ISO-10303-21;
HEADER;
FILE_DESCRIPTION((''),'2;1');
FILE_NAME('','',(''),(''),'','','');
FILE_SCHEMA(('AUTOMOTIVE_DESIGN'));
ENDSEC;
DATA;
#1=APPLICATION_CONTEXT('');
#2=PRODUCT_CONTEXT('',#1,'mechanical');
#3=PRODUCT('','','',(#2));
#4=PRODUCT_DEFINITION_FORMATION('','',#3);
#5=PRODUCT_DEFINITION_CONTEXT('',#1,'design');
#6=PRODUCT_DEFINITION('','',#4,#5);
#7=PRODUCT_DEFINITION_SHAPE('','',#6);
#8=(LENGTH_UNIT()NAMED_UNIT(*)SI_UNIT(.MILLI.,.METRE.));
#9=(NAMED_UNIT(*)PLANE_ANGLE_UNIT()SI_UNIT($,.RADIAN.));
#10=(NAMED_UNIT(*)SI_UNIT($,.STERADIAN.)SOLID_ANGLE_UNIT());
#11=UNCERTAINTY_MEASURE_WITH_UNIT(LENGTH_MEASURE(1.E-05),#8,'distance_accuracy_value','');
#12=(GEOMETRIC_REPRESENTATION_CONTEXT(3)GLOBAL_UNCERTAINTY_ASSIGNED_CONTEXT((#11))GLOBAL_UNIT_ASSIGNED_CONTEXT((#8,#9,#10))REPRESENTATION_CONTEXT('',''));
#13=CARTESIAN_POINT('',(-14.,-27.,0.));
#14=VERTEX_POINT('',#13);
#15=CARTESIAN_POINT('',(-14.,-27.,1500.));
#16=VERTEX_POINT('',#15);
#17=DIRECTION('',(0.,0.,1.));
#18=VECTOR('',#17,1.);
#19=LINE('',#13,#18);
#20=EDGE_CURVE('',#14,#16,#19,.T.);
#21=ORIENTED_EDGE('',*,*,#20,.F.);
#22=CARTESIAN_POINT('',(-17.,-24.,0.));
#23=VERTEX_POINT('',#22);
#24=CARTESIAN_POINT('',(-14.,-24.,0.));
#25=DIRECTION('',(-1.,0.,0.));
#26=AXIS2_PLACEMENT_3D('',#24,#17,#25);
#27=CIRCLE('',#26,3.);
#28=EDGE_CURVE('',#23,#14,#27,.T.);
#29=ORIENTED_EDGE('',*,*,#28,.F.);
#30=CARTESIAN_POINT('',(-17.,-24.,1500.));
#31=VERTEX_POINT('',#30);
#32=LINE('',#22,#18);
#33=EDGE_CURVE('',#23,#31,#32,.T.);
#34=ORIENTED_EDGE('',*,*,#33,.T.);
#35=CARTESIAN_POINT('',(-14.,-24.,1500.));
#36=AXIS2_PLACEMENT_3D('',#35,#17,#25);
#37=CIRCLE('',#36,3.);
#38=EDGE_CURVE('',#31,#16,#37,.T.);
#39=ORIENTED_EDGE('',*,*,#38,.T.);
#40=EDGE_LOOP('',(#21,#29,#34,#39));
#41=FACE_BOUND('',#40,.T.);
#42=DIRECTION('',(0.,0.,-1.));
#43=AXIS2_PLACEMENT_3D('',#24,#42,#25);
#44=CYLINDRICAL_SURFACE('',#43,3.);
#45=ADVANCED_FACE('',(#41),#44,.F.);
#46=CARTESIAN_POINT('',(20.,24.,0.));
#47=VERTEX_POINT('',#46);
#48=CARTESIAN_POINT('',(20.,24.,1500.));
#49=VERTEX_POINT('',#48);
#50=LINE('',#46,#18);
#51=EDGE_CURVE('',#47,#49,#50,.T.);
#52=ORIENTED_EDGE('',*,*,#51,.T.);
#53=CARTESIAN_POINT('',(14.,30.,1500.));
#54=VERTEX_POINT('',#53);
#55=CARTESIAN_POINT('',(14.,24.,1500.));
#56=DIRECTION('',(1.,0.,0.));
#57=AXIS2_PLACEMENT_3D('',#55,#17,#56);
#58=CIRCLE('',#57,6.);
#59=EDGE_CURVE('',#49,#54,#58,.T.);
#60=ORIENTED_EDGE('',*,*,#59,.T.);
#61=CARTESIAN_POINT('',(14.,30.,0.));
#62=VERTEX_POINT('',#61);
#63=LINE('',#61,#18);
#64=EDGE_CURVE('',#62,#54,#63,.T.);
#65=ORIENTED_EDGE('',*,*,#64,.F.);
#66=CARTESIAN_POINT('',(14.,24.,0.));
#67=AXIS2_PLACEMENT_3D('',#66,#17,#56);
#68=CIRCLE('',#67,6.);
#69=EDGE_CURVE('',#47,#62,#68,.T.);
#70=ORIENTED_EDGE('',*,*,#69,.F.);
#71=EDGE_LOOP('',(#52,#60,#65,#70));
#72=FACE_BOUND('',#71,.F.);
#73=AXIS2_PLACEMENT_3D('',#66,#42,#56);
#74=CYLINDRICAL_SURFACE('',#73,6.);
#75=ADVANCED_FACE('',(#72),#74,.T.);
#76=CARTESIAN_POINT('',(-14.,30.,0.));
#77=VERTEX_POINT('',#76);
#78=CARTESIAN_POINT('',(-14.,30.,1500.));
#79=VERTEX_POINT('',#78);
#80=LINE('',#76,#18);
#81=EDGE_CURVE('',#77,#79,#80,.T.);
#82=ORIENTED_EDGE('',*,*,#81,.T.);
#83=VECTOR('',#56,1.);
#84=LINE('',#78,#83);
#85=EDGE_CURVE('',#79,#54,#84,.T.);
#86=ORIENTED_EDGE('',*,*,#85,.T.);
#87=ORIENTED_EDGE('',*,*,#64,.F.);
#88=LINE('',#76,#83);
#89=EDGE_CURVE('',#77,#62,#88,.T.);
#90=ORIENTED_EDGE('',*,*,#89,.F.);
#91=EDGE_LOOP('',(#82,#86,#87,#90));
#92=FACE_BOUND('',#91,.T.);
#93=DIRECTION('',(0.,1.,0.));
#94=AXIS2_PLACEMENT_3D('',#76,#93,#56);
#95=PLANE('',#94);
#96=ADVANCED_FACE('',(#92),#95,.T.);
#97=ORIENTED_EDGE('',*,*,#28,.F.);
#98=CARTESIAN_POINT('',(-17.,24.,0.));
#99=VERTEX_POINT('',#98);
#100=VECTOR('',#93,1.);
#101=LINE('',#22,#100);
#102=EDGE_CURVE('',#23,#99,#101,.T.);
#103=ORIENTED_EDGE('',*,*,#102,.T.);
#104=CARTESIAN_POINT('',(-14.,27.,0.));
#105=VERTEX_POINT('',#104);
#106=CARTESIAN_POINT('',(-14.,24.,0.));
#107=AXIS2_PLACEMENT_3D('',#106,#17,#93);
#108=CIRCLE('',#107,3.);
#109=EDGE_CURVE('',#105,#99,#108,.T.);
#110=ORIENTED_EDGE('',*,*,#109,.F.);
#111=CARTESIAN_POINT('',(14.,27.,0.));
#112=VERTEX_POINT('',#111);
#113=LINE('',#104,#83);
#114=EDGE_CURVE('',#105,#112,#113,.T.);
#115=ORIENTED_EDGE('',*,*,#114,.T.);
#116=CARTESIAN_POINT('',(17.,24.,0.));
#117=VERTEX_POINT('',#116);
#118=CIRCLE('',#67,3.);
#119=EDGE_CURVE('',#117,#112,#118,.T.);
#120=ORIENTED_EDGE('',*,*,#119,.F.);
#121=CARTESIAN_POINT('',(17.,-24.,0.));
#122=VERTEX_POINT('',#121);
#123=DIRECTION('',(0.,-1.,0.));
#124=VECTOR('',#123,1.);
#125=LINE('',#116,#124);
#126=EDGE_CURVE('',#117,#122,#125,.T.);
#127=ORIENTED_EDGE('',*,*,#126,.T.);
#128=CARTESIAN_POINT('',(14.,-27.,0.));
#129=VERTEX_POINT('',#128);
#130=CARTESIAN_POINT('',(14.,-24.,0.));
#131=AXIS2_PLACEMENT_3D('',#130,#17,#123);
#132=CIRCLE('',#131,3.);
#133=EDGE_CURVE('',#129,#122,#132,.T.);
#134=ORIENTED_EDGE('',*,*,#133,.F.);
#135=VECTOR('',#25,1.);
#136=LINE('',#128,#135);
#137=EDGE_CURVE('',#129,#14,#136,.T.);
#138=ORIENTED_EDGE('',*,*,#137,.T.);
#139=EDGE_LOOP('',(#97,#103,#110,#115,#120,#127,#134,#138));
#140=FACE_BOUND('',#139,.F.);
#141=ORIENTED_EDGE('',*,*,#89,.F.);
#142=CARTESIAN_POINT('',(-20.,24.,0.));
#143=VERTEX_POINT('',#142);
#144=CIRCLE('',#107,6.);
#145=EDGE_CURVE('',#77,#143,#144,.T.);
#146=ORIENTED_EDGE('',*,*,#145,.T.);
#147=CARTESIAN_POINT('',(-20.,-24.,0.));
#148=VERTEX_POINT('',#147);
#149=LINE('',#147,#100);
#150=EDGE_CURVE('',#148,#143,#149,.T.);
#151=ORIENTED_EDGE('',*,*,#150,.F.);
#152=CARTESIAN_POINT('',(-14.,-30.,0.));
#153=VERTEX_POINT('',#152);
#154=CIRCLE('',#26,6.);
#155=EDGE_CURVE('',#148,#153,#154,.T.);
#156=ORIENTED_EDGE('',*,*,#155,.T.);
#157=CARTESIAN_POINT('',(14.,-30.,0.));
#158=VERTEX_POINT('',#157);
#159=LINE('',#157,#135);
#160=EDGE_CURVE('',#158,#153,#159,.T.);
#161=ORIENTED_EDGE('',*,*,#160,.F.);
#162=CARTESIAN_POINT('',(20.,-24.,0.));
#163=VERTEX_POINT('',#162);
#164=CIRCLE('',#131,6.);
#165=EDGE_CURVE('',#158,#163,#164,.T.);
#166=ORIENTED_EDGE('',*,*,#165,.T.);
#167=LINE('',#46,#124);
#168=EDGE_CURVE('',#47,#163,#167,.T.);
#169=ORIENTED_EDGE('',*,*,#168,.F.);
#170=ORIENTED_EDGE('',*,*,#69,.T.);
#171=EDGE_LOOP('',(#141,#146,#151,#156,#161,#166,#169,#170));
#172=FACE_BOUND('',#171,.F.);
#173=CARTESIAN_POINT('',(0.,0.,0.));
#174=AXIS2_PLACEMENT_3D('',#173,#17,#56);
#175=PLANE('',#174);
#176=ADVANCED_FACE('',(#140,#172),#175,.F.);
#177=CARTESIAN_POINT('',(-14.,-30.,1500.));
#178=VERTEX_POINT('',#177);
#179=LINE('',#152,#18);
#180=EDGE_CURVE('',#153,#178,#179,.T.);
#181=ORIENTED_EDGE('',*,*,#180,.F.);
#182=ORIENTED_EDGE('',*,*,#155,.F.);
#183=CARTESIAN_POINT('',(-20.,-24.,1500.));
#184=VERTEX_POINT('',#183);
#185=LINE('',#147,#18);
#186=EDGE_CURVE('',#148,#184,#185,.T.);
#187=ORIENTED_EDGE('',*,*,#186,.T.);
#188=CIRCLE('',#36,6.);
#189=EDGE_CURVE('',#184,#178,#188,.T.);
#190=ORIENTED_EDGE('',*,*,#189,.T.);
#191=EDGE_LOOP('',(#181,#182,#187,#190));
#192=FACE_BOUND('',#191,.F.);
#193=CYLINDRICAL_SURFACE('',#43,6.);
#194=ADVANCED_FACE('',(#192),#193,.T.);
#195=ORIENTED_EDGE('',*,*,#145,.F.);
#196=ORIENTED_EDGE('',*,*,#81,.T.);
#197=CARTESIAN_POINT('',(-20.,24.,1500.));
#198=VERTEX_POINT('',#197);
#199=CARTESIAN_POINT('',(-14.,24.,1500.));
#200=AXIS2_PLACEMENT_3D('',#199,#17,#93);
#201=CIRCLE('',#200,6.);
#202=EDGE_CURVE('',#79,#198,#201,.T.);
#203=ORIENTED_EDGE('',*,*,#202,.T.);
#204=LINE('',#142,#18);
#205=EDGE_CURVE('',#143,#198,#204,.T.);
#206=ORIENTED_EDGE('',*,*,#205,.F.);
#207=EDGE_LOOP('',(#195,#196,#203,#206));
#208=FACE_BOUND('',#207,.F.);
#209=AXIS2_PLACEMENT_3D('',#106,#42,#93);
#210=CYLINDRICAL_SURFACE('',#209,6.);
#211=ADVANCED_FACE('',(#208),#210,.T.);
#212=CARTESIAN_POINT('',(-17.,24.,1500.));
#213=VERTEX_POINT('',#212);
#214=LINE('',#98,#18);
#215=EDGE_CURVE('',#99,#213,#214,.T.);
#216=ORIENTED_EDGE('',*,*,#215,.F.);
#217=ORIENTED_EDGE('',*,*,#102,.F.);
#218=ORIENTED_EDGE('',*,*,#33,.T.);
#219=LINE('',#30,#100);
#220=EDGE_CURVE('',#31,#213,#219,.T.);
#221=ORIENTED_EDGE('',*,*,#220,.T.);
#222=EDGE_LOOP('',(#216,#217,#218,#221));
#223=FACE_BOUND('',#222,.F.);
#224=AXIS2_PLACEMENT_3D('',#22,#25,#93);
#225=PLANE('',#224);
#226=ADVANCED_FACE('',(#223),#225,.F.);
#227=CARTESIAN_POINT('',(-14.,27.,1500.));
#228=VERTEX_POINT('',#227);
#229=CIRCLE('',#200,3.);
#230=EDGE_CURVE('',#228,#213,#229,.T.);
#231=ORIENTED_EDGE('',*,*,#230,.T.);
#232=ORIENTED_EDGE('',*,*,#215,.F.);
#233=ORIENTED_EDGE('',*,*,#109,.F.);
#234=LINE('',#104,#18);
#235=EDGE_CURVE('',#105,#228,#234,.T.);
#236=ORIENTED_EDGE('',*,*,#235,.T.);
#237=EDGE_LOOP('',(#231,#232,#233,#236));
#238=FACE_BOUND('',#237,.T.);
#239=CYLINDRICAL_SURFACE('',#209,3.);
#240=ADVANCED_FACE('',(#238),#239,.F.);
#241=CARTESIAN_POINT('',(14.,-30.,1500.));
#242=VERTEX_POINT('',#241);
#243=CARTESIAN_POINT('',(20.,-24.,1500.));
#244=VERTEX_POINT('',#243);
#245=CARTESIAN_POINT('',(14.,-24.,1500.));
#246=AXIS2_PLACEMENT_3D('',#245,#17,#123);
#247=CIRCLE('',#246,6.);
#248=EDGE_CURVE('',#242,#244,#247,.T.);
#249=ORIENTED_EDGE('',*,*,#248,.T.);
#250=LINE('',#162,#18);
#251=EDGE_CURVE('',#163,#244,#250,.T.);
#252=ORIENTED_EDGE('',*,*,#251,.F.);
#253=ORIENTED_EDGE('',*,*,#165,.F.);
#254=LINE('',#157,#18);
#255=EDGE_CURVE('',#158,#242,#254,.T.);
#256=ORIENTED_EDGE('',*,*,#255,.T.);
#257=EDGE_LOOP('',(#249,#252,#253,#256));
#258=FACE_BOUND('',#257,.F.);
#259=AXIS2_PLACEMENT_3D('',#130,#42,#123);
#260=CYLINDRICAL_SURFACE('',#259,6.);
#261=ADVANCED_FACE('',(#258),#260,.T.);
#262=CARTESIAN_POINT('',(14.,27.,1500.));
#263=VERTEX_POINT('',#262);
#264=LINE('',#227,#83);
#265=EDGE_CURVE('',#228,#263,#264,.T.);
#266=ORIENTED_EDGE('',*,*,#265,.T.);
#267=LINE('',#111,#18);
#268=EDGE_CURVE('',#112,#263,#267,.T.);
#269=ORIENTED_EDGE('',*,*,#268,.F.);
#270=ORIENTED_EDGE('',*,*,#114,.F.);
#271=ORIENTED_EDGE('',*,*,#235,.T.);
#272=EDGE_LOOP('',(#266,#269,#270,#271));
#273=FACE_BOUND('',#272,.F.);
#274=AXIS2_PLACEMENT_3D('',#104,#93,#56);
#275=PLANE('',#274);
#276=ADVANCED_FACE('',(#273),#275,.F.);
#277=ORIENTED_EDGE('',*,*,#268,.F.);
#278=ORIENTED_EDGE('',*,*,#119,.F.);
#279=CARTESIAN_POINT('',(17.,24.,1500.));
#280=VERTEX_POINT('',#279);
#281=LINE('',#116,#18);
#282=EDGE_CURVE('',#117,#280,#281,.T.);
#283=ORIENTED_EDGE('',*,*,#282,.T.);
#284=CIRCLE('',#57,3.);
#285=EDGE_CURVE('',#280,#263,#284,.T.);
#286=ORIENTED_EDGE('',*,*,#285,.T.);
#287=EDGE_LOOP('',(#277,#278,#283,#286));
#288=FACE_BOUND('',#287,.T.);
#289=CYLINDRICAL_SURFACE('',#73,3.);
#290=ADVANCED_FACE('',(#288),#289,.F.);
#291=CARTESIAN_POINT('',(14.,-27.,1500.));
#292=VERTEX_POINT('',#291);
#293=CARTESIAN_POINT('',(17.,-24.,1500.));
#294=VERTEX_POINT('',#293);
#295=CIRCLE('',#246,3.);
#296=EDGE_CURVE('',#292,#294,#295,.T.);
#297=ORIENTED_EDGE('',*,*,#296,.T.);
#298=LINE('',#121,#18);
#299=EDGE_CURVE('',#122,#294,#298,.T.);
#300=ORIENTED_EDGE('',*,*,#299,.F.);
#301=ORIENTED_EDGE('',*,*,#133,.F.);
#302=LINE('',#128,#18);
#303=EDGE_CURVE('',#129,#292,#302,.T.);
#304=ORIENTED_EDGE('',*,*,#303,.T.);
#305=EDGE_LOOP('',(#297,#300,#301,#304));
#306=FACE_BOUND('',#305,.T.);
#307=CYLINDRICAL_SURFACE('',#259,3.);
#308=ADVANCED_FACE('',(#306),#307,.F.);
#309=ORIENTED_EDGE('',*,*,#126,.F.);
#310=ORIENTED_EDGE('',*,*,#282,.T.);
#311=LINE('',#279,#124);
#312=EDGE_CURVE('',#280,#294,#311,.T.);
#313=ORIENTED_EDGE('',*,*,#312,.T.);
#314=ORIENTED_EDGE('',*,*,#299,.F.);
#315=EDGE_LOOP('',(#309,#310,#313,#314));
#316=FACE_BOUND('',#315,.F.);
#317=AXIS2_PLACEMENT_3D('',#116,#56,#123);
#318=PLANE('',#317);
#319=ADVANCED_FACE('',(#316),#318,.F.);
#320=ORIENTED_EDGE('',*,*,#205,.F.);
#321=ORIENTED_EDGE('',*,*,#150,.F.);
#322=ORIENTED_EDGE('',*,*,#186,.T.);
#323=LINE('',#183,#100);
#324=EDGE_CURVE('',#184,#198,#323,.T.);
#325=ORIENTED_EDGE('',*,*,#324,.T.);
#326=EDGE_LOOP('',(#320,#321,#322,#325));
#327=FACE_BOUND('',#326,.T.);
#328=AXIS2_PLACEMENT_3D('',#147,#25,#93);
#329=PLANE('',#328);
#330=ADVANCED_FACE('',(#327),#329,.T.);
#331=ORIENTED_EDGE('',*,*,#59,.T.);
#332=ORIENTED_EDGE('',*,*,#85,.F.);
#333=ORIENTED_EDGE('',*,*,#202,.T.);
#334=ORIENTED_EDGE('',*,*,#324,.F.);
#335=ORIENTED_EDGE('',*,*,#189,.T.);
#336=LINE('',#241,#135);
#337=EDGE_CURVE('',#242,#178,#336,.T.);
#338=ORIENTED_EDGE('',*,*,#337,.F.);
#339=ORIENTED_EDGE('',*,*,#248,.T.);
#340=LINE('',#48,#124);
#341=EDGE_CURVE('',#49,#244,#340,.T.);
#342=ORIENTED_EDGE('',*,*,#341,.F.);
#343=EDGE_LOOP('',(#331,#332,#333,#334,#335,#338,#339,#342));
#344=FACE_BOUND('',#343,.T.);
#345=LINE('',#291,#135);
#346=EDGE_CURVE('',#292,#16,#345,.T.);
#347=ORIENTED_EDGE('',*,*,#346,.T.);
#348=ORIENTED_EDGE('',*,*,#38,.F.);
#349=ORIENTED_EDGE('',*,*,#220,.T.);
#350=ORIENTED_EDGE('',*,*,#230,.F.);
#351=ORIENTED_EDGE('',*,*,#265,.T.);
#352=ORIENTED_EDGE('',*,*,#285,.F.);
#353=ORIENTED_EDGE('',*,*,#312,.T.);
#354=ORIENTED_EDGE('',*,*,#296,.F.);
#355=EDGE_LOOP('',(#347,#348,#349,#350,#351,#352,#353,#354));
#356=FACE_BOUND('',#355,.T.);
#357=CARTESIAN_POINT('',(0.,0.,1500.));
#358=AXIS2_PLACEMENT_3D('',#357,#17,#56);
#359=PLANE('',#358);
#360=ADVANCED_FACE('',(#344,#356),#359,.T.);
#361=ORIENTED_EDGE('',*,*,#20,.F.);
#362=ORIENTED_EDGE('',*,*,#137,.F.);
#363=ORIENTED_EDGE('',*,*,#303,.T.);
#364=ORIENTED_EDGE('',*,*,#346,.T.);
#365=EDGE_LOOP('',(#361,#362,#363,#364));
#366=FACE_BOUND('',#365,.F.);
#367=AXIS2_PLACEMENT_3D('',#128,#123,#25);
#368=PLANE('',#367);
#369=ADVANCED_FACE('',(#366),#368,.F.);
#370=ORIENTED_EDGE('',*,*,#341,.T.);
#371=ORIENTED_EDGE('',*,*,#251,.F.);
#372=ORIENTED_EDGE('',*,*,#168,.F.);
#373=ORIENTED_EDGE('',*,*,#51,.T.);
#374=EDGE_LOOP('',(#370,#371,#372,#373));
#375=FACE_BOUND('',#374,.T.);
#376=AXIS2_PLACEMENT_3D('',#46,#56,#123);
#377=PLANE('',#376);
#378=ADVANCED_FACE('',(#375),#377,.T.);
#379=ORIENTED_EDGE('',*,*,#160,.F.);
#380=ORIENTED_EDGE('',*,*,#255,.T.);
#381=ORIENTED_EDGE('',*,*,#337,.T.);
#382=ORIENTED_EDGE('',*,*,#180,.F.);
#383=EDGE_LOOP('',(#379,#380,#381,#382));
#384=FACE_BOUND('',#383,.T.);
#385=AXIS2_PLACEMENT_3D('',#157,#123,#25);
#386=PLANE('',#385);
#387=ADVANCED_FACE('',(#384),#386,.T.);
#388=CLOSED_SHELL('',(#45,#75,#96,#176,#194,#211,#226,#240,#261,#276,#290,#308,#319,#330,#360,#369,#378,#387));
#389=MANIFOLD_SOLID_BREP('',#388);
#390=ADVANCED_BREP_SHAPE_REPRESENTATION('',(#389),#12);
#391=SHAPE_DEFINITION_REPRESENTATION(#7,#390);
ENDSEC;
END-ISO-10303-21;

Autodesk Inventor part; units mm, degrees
ref_plane "YZ Plane" through (0, 0, 0) normal (1, 0, 0) x (0, 1, 0)
ref_plane "Start Plane" through (0, 0, 0) normal (0, 0, 1) x (1, 0, 0)
ref_plane "End Plane" through (0, 0, 1500) normal (0, 0, 1) x (1, 0, 0)
sketch "Sketch" plane through (0, 0, 0) normal (0, 0, 1) x (1, 0, 0)
  line L0 (-20, -24) -> (-20, 24)
  line L1 (-14, 30) -> (14, 30)
  line L2 (20, 24) -> (20, -24)
  line L3 (14, -30) -> (-14, -30)
  arc A0 (-20, -24) -> (-14, -30) centre (-14, -24) ccw
  arc A1 (20, 24) -> (14, 30) centre (14, 24) ccw
  arc A2 (-14, 30) -> (-20, 24) centre (-14, 24) ccw
  arc A3 (14, -30) -> (20, -24) centre (14, -24) ccw
  arc A4 (-14, 27) -> (-17, 24) centre (-14, 24) ccw
  line L4 (-14, 27) -> (14, 27)
  arc A5 (17, 24) -> (14, 27) centre (14, 24) ccw
  line L5 (17, 24) -> (17, -24)
  arc A6 (14, -27) -> (17, -24) centre (14, -24) ccw
  line L6 (14, -27) -> (-14, -27)
  arc A7 (-17, -24) -> (-14, -27) centre (-14, -24) ccw
  line L7 (-17, -24) -> (-17, 24)
  line L8 (0, 43.7397) -> (0, -43.7397) construction
  line L9 (-29.7397, 0) -> (29.7397, 0) construction
  dimension "d7" = 6
  dimension "d9" = 40
  dimension "d11" = 60
  dimension "d12" = 3
  dimension "d15" = 20
  dimension "d16" = 30
extrude "Body" add sketch "Sketch" along normal up to surface (1500 mm away) from surface at 0
sketch "Sketch3" plane through (0, 0, 0) normal (0, 0, 1) x (1, 0, 0)
  line L0 (0, 0) -> (10, 0)
ref_plane "Work Plane3" through (0, 0, 0) normal (0, -1, 0) x (1, 0, 0)
sketch "Sketch4" plane through (0, 0, 0) normal (0, -1, 0) x (1, 0, 0)
  line L0 (-2, 0) -> (12, 0) projected
  line L1 (-2, 1500) -> (12, 1500) projected
  dimension "d18" = 1500
equation "\"d7\" = G_IR"
equation "\"d9\" = G_W"
equation "\"d11\" = G_H"
equation "\"d12\" = G_T"
equation "\"d15\" = 0.5 * d9"
equation "\"d16\" = 0.5 * d11"
equation "\"d3\" = G_L"
equation "\"G_W\" = 40"
equation "\"G_H\" = 60"
equation "\"G_T\" = 3"
equation "\"G_IR\" = 6"
equation "\"G_L\" = d18"
equation "\"G_OFFSET_START\" = 0"
equation "\"G_OFFSET_END\" = 0"
properties part number "ISO 4019 - 60x40x3 - 1500" material "Steel, Mild"
